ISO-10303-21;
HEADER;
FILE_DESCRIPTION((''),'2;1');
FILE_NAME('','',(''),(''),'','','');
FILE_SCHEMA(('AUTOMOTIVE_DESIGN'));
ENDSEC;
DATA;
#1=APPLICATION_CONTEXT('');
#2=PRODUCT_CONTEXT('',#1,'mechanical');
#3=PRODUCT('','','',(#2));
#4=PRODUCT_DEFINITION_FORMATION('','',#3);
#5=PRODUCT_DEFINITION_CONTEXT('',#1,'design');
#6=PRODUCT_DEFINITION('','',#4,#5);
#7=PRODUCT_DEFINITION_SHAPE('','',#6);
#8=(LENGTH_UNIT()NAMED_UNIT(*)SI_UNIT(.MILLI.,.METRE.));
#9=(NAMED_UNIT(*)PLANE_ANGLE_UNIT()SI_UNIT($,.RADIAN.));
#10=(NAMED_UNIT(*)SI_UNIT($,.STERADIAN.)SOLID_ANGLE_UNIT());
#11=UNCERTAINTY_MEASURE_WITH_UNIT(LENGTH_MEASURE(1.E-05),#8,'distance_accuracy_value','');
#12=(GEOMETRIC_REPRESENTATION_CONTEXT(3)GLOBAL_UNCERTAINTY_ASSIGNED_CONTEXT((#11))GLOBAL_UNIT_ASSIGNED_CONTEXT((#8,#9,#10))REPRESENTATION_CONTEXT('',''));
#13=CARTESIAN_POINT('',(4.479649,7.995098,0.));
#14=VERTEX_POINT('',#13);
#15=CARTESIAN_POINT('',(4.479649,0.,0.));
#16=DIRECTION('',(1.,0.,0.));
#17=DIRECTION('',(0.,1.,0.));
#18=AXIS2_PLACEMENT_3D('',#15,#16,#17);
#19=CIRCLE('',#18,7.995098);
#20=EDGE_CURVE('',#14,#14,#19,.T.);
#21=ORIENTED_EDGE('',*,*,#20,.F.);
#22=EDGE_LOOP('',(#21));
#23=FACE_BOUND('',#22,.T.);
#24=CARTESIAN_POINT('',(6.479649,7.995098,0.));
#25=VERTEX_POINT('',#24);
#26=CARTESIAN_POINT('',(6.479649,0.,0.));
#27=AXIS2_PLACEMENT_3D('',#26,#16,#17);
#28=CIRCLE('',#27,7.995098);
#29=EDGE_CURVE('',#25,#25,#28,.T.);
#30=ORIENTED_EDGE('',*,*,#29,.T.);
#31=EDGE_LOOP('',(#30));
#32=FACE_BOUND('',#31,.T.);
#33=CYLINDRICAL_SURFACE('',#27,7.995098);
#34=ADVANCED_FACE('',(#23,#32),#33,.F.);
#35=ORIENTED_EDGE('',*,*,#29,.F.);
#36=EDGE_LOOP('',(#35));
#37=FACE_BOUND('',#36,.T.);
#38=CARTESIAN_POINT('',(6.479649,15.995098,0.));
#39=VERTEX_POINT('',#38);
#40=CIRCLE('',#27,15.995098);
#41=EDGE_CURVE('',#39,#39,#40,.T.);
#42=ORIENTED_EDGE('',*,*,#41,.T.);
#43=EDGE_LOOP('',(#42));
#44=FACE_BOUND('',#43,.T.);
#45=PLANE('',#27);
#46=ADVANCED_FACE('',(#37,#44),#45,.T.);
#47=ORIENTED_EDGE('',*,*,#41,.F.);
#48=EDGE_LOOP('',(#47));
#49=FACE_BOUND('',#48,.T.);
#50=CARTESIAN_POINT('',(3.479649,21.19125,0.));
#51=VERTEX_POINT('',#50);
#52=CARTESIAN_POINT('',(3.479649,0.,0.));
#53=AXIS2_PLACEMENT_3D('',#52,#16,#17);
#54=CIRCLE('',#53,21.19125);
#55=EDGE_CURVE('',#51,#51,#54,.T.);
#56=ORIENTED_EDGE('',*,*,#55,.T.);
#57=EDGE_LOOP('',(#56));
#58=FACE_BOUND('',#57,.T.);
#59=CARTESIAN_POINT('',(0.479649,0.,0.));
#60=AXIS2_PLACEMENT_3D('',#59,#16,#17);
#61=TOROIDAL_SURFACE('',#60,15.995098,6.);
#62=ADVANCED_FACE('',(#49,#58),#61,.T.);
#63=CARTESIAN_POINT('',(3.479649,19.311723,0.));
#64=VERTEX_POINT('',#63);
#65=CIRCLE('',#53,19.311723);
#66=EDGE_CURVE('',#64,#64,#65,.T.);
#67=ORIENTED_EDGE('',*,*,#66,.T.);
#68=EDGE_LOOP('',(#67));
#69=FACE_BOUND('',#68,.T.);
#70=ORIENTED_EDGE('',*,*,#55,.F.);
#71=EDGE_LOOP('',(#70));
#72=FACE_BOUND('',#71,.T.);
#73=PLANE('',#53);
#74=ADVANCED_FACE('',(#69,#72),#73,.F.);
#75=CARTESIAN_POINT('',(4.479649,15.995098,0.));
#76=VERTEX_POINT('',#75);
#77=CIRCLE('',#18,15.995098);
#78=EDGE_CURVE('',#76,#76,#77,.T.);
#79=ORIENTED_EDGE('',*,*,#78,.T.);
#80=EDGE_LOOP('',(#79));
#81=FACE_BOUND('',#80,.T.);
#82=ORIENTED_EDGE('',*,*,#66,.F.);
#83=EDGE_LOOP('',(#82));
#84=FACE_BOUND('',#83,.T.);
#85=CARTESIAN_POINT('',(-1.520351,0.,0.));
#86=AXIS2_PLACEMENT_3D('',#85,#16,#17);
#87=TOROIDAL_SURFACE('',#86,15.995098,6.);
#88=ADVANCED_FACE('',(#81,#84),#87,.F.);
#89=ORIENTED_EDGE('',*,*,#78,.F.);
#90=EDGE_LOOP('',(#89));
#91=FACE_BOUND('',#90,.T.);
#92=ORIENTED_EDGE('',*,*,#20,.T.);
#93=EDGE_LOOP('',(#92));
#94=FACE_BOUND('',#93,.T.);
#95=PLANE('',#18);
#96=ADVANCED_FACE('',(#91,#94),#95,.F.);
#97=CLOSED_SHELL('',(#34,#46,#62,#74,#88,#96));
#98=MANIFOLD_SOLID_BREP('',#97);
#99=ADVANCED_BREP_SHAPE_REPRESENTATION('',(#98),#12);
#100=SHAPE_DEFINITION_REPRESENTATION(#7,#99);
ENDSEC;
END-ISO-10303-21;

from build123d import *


with BuildPart() as part:
    # Sketch2 → Revolve1 (revolve)
    with BuildSketch(Plane.XY):
        with BuildLine():
            Line((4.479648978, 7.99509787), (6.479648978, 7.99509787))
            Line((6.479648978, 7.99509787), (6.479648978, 15.99509787))
            ThreePointArc((6.479648978, 15.99509787), (5.675801401, 18.99509787), (3.479648978, 21.191250292))
            Line((3.479648978, 21.191250292), (3.479648978, 19.31172266))
            ThreePointArc((3.479648978, 19.31172266), (4.224211625, 17.727148677), (4.479648978, 15.99509787))
            Line((4.479648978, 15.99509787), (4.479648978, 7.99509787))
        make_face()
    revolve(axis=Axis((6.479648978, 0, 0), (-1, 0, 0)))


solid = part.part
